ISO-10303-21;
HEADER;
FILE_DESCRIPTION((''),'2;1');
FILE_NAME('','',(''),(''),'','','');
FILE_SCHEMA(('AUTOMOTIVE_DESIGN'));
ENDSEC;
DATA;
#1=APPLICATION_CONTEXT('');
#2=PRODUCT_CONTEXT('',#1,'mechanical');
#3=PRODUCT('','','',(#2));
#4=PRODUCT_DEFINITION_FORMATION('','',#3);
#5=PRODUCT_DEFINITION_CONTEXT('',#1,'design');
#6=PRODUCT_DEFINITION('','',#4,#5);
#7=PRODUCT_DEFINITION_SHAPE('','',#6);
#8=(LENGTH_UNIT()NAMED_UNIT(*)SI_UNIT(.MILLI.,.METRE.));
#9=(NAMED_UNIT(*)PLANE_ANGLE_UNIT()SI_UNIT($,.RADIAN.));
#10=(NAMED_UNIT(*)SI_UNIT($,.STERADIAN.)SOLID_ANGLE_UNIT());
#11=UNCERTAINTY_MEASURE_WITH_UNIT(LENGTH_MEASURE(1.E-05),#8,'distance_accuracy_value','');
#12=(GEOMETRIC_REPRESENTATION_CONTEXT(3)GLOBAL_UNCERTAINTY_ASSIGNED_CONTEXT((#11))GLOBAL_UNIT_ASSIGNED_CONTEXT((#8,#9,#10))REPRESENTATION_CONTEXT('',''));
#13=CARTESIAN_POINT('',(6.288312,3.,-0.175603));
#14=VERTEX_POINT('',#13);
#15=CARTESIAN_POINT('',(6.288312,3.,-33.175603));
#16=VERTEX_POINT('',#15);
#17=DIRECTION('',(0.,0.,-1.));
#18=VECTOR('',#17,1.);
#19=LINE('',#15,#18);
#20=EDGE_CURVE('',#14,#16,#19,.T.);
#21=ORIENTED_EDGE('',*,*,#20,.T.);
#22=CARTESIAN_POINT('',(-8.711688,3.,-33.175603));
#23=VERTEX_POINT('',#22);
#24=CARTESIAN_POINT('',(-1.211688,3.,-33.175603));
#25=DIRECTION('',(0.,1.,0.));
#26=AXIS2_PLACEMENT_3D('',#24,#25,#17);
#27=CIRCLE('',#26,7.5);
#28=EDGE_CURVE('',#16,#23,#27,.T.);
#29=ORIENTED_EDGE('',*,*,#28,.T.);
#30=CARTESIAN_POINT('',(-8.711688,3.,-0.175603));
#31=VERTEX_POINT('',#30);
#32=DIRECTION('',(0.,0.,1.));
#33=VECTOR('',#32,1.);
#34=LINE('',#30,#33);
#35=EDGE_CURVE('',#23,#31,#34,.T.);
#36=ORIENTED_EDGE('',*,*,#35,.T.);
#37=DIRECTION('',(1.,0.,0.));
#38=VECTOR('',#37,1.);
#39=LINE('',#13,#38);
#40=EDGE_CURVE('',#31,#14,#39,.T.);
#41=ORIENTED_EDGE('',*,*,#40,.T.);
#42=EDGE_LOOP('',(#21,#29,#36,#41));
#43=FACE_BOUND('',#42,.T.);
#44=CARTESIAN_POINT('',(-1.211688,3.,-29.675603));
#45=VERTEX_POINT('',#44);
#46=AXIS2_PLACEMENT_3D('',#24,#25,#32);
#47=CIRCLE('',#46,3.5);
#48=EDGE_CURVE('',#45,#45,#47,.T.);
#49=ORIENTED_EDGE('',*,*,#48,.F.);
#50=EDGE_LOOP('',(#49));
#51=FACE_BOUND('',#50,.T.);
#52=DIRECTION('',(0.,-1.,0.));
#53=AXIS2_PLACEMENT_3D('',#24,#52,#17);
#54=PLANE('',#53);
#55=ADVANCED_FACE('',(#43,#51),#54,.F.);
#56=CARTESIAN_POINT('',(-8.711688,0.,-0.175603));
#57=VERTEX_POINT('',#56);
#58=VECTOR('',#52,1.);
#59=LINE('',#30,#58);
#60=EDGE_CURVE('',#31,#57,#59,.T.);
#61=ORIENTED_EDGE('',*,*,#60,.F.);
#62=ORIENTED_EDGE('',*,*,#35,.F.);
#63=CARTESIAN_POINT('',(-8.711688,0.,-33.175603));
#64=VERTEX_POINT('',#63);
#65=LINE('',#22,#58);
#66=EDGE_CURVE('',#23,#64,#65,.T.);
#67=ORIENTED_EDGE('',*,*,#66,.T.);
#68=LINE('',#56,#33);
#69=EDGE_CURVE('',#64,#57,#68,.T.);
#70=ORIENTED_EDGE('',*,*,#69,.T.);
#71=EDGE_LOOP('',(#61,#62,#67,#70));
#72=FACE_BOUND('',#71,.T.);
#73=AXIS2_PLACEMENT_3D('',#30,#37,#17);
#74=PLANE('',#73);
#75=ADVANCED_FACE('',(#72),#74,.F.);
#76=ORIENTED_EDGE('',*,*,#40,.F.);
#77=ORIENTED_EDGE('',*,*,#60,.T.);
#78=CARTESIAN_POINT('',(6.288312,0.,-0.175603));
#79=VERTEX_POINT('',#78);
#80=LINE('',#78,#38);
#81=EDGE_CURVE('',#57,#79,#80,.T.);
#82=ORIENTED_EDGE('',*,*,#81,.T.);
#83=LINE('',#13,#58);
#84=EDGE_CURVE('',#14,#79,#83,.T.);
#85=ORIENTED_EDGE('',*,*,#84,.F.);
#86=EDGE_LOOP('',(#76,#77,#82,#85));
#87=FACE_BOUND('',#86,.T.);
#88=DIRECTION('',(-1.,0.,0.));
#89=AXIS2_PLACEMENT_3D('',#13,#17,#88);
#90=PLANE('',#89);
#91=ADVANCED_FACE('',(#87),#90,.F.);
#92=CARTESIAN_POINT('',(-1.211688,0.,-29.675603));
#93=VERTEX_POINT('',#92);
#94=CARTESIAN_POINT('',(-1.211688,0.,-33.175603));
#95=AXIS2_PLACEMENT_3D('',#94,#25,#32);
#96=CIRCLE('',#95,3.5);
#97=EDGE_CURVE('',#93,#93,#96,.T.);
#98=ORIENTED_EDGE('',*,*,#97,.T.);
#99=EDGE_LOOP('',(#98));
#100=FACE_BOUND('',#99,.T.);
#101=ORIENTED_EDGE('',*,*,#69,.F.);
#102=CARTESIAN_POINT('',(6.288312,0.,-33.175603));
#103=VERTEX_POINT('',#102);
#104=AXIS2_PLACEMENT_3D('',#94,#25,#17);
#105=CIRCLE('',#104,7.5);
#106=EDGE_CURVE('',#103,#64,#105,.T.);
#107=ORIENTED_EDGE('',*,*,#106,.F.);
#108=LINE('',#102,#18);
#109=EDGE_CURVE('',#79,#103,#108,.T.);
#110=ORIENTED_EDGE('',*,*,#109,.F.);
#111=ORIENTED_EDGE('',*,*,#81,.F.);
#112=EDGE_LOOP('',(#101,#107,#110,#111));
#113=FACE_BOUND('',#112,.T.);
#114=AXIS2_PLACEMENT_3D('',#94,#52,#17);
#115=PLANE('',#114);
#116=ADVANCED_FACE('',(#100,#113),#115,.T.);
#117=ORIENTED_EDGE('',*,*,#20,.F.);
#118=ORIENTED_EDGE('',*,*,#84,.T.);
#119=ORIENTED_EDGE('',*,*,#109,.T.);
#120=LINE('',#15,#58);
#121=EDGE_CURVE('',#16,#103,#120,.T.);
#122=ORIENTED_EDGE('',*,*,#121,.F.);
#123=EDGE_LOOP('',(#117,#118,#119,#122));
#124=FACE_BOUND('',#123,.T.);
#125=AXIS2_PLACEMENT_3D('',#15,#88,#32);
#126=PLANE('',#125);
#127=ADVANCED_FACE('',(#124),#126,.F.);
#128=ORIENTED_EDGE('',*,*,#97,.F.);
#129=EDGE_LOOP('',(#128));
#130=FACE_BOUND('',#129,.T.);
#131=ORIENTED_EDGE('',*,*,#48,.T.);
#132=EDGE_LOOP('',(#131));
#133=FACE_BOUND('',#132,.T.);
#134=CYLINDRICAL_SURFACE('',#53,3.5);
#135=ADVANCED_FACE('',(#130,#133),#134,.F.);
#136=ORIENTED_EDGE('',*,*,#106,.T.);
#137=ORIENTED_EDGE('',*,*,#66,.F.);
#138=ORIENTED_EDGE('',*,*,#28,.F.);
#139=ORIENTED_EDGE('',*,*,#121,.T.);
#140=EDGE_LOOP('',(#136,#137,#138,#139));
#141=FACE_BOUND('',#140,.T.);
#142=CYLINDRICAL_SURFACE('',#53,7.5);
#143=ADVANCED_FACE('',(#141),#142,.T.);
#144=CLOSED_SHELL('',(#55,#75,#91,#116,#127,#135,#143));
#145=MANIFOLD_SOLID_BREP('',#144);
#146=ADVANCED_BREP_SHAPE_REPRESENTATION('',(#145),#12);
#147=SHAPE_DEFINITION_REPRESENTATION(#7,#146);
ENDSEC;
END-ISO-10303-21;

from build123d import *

# Parameters (mm, degrees)
SKETCH1_R           = 3.5
BOSS_EXTRUDE1_DEPTH = 3


with BuildPart() as part:
    # Sketch1 → Boss-Extrude1 (new body)
    with BuildSketch(Plane(origin=(0, 0, 0), x_dir=(1, 0, 0), z_dir=(0, 1, 0))):
        with BuildLine():
            Line((-8.711687898, 0.175603251), (-8.711687898, 33.175603251))
            ThreePointArc((-8.711687898, 33.175603251), (-1.211687898, 40.675603251), (6.288312102, 33.175603251))
            Line((6.288312102, 33.175603251), (6.288312102, 0.175603251))
            Line((6.288312102, 0.175603251), (-8.711687898, 0.175603251))
        make_face()
        with Locations((-1.211687898, 33.175603251)):
            Circle(SKETCH1_R, mode=Mode.SUBTRACT)
    extrude(amount=BOSS_EXTRUDE1_DEPTH)


solid = part.part
